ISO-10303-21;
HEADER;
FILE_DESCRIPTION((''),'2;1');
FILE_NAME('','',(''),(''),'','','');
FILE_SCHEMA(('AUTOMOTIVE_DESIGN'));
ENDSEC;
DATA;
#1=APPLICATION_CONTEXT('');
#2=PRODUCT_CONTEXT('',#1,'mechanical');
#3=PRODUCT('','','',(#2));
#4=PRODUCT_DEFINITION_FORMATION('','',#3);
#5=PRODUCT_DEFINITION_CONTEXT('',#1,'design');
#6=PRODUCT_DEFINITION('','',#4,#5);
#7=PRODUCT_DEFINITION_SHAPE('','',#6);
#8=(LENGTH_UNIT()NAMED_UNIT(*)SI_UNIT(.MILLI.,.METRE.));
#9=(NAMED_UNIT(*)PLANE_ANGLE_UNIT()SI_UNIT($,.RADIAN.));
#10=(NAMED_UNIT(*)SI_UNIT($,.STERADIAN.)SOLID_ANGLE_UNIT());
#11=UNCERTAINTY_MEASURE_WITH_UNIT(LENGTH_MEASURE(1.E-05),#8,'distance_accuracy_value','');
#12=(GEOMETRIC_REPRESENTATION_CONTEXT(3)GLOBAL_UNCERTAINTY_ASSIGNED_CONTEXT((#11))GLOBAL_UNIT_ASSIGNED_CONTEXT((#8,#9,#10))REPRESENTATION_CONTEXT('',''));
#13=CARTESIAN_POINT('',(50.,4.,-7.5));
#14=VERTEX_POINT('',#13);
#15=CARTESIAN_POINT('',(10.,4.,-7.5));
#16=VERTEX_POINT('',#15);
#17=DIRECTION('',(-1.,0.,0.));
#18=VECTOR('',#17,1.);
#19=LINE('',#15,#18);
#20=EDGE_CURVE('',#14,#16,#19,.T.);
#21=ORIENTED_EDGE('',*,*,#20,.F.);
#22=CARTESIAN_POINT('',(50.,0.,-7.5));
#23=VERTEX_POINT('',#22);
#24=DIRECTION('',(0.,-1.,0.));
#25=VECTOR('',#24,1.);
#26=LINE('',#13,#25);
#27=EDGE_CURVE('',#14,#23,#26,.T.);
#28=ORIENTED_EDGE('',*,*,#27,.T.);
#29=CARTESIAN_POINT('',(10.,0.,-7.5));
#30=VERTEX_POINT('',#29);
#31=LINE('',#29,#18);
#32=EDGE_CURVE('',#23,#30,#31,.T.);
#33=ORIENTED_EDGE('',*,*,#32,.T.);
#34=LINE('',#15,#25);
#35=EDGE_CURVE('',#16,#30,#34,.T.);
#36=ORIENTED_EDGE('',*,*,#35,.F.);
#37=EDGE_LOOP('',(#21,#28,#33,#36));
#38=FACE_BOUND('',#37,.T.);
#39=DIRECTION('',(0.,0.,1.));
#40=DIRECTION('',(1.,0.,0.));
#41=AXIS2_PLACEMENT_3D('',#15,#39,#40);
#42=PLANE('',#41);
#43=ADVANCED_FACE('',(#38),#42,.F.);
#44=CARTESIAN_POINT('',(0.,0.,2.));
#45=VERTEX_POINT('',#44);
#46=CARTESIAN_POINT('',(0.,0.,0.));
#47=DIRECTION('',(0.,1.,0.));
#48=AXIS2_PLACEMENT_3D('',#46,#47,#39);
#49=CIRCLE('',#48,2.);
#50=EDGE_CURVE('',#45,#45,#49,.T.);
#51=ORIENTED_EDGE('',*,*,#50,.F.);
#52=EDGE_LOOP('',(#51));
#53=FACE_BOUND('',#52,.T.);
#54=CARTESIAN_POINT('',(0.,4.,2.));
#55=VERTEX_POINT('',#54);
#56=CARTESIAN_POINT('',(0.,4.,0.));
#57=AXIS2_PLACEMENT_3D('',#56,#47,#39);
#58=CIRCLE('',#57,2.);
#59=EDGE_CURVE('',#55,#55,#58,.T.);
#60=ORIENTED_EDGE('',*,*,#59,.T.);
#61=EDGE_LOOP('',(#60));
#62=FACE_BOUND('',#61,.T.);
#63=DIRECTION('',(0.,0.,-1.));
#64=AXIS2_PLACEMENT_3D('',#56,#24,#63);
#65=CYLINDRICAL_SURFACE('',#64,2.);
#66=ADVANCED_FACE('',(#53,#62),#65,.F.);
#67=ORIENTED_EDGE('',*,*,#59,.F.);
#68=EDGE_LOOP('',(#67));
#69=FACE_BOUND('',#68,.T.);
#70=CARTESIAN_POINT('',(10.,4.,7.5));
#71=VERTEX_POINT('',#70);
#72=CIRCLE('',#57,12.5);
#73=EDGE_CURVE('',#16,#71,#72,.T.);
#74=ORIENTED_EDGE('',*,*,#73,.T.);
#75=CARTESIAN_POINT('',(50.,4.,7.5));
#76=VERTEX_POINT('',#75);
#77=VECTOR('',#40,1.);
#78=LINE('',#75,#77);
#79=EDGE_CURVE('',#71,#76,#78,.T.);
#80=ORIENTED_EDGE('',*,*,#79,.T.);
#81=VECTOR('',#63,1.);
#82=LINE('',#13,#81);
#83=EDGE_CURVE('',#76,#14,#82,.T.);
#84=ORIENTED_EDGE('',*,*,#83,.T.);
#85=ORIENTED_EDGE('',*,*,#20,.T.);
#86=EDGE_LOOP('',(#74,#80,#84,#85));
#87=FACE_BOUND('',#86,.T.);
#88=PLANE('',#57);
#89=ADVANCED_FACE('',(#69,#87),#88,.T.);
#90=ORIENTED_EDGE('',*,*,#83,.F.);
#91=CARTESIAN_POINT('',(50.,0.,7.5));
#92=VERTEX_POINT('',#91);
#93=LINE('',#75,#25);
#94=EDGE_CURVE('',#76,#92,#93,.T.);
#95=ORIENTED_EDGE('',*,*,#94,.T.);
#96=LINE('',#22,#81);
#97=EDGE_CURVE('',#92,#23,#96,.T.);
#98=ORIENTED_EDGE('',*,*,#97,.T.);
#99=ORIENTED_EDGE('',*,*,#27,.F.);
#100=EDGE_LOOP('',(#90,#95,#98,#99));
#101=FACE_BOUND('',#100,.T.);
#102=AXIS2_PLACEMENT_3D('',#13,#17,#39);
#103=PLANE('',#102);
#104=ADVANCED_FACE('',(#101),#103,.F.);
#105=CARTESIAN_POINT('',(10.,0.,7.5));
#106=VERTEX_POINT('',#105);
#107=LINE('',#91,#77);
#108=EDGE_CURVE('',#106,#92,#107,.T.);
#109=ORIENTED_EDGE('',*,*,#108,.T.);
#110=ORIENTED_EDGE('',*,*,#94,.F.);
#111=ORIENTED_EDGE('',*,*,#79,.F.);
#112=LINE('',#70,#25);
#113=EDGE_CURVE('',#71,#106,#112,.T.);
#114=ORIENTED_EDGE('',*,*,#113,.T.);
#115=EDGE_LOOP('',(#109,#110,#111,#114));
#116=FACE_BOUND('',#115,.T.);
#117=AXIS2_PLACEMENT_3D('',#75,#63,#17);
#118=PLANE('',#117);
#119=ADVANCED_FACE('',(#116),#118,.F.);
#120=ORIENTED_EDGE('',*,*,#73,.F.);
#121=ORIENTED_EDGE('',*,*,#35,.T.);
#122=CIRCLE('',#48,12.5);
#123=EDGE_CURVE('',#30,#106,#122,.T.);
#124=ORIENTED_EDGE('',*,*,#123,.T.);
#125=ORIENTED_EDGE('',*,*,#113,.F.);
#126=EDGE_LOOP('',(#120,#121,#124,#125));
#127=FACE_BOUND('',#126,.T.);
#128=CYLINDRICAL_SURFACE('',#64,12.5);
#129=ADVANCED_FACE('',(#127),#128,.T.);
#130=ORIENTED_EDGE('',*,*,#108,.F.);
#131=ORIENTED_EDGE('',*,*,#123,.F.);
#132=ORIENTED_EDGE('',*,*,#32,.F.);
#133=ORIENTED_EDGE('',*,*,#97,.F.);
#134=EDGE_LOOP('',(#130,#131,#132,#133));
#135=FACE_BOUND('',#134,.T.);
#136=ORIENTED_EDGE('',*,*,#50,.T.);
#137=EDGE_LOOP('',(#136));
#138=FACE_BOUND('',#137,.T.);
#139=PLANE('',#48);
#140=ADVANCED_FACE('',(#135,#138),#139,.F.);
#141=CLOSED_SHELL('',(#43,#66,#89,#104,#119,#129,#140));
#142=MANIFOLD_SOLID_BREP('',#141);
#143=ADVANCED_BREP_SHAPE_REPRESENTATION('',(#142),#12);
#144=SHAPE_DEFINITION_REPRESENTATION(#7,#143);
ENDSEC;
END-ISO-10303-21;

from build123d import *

# Parameters (mm, degrees)
SKETCH1_R           = 2
BOSS_EXTRUDE1_DEPTH = 4


with BuildPart() as part:
    # Sketch1 → Boss-Extrude1 (new body)
    with BuildSketch(Plane(origin=(0, 0, 0), x_dir=(1, 0, 0), z_dir=(0, 1, 0))):
        with BuildLine():
            Line((10, 7.5), (50, 7.5))
            Line((50, 7.5), (50, -7.5))
            Line((50, -7.5), (10, -7.5))
            ThreePointArc((10, -7.5), (-12.5, 0), (10, 7.5))
        make_face()
        with Locations(Location((0, 0, 0), (0, 0, 270))):
            Circle(SKETCH1_R, mode=Mode.SUBTRACT)
    extrude(amount=BOSS_EXTRUDE1_DEPTH)


solid = part.part
